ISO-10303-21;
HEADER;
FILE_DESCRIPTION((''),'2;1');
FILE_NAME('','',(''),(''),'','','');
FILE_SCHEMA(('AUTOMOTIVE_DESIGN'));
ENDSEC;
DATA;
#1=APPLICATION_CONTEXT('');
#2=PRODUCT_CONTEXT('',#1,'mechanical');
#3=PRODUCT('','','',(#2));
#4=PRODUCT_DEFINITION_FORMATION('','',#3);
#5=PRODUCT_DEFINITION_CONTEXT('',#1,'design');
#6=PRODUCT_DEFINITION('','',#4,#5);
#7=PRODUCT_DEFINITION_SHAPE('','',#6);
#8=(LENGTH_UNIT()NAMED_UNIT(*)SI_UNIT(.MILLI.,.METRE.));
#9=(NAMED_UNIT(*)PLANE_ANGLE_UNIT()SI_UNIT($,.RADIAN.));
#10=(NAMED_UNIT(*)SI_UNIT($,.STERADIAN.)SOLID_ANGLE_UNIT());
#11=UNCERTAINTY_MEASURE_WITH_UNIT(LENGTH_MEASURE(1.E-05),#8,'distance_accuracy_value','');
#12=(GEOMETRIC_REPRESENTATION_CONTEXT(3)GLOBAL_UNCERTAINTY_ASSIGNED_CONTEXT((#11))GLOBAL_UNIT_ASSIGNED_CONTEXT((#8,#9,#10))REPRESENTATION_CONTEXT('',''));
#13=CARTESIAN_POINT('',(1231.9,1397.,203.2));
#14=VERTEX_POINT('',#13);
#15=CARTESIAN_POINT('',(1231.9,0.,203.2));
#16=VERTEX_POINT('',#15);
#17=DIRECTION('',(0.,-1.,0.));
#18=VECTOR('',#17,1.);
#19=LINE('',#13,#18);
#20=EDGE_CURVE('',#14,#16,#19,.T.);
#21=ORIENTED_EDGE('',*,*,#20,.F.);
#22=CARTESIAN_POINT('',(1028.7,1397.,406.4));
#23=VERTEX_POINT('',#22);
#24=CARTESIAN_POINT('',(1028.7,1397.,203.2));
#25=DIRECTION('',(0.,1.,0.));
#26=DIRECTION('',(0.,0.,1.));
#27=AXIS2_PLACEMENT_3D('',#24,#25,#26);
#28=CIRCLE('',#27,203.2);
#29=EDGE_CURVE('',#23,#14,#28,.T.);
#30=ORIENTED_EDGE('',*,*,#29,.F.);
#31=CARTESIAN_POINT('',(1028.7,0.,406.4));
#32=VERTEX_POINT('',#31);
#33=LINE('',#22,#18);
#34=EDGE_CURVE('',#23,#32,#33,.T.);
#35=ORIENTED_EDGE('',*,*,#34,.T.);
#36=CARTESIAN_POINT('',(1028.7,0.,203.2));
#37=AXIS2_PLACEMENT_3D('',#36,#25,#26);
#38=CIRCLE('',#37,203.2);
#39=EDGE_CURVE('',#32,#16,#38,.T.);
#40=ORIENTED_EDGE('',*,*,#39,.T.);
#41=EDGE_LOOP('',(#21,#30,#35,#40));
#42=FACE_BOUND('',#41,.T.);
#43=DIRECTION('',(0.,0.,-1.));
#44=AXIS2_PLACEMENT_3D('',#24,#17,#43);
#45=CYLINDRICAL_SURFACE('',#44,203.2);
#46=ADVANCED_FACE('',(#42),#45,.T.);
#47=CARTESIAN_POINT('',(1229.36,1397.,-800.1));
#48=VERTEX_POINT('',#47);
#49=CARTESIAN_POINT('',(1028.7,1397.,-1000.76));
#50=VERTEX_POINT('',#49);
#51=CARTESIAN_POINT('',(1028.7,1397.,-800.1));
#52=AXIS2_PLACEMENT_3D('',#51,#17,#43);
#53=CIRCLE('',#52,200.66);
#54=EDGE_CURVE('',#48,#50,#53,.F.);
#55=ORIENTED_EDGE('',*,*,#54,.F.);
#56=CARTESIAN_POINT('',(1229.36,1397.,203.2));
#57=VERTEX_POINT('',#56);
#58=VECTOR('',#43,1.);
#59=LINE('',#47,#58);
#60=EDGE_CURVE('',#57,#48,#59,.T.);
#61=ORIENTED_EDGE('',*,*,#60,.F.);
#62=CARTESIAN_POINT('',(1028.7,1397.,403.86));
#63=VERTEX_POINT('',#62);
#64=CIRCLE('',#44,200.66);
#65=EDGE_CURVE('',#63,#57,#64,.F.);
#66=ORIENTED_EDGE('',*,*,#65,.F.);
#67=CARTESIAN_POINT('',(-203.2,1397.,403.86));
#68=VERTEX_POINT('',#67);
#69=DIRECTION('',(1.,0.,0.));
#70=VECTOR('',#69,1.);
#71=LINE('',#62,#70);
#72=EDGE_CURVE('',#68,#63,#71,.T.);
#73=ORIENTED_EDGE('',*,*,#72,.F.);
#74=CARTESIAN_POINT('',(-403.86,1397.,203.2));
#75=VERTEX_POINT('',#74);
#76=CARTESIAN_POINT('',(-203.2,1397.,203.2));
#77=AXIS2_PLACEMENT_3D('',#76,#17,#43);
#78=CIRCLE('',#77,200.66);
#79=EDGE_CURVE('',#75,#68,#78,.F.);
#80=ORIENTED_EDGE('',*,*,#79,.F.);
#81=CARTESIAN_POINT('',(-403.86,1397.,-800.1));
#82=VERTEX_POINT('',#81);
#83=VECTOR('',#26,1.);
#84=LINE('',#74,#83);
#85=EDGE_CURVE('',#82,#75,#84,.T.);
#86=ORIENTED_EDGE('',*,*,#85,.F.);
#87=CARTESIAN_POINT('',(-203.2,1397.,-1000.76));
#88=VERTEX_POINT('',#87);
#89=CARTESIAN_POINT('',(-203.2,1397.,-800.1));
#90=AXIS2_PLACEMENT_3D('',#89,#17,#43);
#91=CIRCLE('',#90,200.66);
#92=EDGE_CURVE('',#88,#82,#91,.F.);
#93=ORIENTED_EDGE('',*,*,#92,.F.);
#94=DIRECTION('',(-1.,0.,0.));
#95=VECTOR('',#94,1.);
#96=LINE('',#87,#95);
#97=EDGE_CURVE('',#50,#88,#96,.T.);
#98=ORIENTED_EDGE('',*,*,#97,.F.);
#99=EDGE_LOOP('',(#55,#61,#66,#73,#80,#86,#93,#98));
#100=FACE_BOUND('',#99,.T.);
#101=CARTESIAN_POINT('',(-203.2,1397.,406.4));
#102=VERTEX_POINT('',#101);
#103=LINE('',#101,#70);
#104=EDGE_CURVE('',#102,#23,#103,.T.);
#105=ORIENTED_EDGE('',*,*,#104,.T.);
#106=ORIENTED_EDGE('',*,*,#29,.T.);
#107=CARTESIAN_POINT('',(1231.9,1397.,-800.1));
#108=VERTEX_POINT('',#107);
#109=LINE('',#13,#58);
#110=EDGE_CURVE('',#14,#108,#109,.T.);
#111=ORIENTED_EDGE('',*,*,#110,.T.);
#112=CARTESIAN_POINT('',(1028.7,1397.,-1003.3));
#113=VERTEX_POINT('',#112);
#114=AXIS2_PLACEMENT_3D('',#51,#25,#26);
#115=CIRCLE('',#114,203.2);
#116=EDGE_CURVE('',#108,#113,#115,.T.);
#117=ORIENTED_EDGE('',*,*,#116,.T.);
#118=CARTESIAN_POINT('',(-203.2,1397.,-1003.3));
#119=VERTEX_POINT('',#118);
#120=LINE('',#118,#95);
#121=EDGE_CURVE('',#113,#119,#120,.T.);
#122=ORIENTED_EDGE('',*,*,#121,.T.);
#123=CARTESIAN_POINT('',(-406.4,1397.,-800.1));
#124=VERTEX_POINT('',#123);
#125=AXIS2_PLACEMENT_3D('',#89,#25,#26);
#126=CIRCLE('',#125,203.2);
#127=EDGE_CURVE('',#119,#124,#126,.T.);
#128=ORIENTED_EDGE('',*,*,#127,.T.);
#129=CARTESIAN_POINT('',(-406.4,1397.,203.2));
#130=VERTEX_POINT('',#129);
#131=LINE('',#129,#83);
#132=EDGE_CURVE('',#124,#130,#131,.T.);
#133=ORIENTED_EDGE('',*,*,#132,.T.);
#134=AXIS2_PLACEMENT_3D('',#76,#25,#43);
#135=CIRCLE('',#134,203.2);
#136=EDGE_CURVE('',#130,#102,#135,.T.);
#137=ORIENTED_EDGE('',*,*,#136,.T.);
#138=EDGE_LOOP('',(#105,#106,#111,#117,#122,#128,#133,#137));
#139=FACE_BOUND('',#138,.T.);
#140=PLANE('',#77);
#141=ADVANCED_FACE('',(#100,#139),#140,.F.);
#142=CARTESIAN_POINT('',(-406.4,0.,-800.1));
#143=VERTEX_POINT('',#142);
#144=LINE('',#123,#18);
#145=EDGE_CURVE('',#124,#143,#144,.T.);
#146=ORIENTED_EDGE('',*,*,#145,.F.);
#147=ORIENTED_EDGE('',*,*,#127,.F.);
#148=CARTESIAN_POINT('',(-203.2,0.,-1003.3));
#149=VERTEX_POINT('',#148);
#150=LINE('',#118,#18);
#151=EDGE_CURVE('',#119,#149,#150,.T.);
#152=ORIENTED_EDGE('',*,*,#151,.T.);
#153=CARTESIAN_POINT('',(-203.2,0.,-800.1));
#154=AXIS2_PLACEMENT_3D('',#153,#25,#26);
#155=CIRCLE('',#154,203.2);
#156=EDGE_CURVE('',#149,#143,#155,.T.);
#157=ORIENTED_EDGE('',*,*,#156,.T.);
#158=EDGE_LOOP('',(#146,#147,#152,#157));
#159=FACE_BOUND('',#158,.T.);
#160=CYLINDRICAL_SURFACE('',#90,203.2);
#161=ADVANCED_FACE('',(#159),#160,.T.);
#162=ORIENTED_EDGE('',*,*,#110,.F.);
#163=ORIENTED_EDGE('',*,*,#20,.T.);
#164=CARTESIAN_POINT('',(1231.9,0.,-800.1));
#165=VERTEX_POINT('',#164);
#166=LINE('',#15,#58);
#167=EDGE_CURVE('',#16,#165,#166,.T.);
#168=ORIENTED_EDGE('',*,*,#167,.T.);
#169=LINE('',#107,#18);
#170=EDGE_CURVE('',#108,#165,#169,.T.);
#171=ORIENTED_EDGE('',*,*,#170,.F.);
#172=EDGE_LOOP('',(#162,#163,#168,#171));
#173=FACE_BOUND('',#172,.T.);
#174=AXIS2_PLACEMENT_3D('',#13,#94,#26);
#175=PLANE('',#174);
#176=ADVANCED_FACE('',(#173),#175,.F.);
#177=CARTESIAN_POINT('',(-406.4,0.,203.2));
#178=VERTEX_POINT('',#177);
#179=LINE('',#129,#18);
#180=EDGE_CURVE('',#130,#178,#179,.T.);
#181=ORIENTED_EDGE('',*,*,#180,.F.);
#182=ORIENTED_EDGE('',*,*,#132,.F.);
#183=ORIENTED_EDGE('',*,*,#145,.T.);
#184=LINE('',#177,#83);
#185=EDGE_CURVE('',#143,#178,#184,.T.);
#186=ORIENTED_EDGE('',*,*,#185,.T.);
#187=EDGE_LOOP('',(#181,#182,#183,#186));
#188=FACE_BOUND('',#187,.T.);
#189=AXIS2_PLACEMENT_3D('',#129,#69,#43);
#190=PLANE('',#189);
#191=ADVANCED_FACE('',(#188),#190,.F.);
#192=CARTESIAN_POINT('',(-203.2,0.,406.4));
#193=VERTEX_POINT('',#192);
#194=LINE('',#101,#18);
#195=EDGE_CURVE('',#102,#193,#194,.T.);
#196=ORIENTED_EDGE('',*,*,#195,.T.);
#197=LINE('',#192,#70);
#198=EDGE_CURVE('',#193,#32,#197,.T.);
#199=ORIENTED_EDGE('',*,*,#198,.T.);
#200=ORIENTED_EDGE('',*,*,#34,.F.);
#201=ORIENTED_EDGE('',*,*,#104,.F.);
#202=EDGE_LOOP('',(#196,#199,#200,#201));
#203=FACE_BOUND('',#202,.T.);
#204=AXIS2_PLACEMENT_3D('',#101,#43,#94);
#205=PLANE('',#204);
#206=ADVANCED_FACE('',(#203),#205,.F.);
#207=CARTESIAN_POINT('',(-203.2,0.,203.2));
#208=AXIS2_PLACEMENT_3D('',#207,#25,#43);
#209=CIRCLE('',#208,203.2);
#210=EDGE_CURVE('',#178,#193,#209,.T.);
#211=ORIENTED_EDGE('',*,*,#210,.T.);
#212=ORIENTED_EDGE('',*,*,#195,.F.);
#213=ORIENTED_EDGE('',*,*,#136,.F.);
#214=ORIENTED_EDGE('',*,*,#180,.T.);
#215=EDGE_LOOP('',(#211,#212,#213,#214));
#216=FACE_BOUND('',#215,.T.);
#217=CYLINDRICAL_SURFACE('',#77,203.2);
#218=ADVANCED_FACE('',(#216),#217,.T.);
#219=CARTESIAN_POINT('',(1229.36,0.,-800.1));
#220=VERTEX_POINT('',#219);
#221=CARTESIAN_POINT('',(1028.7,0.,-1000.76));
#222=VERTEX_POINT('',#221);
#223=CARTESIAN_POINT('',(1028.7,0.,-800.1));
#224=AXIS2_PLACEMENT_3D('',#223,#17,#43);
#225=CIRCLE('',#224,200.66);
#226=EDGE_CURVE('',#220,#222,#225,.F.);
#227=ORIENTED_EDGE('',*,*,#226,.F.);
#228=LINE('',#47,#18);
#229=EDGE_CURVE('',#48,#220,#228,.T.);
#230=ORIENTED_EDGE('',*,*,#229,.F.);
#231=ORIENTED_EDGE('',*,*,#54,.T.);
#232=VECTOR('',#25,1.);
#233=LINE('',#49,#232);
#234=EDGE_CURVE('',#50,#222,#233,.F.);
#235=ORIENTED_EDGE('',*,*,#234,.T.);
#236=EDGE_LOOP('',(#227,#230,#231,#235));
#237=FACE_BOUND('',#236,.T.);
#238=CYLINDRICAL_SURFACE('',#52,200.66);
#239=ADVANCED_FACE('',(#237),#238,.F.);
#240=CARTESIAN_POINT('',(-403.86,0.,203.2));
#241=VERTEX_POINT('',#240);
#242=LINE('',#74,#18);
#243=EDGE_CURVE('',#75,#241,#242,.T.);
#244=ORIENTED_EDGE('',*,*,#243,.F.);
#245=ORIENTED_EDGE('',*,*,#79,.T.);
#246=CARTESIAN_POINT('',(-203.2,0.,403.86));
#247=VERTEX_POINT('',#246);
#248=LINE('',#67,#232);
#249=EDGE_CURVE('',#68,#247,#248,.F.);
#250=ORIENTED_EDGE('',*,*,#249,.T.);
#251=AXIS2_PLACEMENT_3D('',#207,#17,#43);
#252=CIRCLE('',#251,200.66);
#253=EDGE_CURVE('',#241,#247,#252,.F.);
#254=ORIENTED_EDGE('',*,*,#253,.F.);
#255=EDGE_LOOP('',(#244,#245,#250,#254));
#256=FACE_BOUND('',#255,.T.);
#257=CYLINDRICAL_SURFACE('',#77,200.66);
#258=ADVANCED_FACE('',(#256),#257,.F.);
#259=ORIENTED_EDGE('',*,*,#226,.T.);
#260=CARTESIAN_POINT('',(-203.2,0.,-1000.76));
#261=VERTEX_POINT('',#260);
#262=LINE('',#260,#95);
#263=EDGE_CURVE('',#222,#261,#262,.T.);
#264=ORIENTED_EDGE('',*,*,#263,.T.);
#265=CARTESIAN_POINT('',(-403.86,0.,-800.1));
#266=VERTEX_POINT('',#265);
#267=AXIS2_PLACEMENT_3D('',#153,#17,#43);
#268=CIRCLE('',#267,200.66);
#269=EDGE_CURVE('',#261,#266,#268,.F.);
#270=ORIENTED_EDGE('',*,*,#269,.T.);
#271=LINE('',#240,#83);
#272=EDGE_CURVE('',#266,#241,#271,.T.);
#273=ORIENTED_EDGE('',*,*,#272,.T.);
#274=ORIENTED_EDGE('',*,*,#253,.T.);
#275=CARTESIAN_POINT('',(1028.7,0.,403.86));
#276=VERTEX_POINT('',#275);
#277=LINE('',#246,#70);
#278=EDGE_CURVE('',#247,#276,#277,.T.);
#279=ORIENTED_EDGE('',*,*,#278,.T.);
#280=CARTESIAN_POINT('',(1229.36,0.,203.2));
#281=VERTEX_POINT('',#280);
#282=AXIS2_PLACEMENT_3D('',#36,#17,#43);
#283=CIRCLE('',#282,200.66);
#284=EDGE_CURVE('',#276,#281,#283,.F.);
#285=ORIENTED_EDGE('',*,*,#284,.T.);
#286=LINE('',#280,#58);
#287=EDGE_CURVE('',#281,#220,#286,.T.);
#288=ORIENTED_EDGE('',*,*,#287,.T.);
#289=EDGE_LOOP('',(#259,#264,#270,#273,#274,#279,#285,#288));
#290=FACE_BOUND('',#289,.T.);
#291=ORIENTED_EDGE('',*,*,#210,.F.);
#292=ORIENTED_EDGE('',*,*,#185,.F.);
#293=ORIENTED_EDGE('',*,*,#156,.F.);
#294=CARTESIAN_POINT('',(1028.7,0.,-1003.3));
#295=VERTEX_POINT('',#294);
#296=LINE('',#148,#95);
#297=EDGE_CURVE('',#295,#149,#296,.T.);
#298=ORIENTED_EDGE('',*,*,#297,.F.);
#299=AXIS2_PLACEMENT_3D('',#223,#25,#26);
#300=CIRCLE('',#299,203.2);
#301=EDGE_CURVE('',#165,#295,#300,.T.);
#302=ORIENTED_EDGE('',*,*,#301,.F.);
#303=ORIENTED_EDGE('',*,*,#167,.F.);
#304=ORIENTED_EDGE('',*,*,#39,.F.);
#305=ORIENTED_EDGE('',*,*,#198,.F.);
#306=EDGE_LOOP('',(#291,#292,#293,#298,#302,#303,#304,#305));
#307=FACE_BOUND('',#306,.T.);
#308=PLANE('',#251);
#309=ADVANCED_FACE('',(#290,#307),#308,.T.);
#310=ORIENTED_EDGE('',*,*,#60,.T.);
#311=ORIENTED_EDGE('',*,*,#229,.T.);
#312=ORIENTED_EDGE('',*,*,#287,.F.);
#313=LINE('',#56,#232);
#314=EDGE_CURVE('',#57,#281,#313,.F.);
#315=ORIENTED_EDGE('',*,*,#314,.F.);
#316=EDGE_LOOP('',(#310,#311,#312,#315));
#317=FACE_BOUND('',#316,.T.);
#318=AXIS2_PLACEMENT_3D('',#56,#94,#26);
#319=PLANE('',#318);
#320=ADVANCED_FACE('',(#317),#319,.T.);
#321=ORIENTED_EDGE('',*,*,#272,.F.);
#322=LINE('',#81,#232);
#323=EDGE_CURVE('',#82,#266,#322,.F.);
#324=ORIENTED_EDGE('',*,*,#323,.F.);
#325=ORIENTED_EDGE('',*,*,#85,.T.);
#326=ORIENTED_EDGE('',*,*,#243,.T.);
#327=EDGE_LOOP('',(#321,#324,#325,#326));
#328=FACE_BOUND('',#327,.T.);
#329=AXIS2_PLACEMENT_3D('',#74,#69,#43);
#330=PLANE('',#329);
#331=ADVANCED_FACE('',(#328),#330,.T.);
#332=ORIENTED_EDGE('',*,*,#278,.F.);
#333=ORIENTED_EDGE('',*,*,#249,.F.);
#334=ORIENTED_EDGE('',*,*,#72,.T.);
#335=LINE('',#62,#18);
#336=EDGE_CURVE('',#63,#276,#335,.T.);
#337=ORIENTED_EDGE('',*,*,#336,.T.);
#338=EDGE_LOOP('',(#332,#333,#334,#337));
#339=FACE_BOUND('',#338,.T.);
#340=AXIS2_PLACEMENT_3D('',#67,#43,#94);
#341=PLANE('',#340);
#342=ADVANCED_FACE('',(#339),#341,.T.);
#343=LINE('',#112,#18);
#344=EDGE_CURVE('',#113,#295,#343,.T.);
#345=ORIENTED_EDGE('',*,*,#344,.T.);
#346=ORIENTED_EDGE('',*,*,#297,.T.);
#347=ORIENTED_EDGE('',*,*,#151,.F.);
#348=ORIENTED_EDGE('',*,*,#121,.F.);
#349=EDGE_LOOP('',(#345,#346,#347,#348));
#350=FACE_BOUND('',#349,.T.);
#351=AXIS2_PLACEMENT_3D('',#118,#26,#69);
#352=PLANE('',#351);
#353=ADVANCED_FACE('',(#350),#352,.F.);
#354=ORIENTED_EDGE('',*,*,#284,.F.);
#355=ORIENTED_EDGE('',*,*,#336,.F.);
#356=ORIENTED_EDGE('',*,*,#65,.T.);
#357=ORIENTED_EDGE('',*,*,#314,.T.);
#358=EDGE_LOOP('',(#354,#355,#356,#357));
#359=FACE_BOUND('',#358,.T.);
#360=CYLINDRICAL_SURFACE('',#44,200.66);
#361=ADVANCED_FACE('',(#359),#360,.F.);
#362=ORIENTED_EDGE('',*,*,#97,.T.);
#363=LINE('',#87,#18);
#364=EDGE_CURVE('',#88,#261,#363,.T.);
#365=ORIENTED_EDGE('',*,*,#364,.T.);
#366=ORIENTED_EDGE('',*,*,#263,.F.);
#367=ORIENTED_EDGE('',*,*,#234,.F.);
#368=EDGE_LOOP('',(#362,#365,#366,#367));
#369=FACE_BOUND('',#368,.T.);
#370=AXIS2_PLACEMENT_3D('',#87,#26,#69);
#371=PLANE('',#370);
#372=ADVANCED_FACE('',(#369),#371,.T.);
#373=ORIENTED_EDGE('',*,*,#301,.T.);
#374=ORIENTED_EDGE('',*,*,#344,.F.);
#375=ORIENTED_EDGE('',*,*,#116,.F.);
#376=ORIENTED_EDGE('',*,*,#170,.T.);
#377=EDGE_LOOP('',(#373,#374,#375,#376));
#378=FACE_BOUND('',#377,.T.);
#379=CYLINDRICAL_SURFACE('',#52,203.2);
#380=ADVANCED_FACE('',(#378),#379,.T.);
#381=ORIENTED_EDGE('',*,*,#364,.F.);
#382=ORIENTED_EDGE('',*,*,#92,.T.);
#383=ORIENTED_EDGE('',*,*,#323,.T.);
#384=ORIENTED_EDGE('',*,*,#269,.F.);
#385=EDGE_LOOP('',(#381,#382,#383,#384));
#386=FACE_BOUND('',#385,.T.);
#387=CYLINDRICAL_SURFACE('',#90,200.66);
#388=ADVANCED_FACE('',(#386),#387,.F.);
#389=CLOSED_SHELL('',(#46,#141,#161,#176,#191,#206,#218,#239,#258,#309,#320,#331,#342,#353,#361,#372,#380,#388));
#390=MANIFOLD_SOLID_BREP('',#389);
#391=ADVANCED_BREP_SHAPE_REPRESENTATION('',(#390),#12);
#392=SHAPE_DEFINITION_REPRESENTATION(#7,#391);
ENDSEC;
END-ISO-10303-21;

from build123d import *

# Parameters (mm, degrees)
BOSS_EXTRUDE1_DEPTH = 1397
SHELL1_T            = -2.54
CUT_EXTRUDE3_REACH  = 4.54


with BuildPart() as part:
    # Sketch1 → Boss-Extrude1 (new body)
    with BuildSketch(Plane(origin=(0, 0, 0), x_dir=(1, 0, 0), z_dir=(0, 1, 0))):
        with BuildLine():
            Line((-203.2, -406.4), (1028.7, -406.4))
            ThreePointArc((1028.7, -406.4), (1172.384097937, -346.884097937), (1231.9, -203.2))
            Line((1231.9, -203.2), (1231.9, 800.1))
            ThreePointArc((1231.9, 800.1), (1172.384097937, 943.784097937), (1028.7, 1003.3))
            Line((1028.7, 1003.3), (-203.2, 1003.3))
            ThreePointArc((-203.2, 1003.3), (-346.884097937, 943.784097937), (-406.4, 800.1))
            Line((-406.4, 800.1), (-406.4, -203.2))
            ThreePointArc((-406.4, -203.2), (-346.884097937, -346.884097937), (-203.2, -406.4))
        make_face()
    extrude(amount=BOSS_EXTRUDE1_DEPTH)

    # Shell1
    shell1_openings = [part.faces().sort_by_distance(p)[0] for p in [
        (412.75, 0, -298.45),
    ]]
    offset(amount=SHELL1_T, openings=shell1_openings, kind=Kind.INTERSECTION)

    # Sketch3 → Cut-Extrude3 (cut, up to next)
    with BuildSketch(Plane.XZ.offset(-1394.46), mode=Mode.PRIVATE) as cut_extrude3_sk1:
        with BuildLine():
            Line((-403.86, 203.2), (-403.86, -800.1))
            ThreePointArc((-403.86, -800.1), (-345.088046713, -941.988046713), (-203.2, -1000.76))
            Line((-203.2, -1000.76), (1028.7, -1000.76))
            ThreePointArc((1028.7, -1000.76), (1170.588046713, -941.988046713), (1229.36, -800.1))
            Line((1229.36, -800.1), (1229.36, 203.2))
            ThreePointArc((1229.36, 203.2), (1170.588046713, 345.088046713), (1028.7, 403.86))
            Line((1028.7, 403.86), (-203.2, 403.86))
            ThreePointArc((-203.2, 403.86), (-345.088046713, 345.088046713), (-403.86, 203.2))
        make_face()
    cut_extrude3_tool1 = extrude(cut_extrude3_sk1.sketch, amount=-CUT_EXTRUDE3_REACH, mode=Mode.PRIVATE) & part.part
    add(cut_extrude3_tool1.solids().sort_by_distance((412.75, 1394.46, -298.45))[0], mode=Mode.SUBTRACT)


solid = part.part
